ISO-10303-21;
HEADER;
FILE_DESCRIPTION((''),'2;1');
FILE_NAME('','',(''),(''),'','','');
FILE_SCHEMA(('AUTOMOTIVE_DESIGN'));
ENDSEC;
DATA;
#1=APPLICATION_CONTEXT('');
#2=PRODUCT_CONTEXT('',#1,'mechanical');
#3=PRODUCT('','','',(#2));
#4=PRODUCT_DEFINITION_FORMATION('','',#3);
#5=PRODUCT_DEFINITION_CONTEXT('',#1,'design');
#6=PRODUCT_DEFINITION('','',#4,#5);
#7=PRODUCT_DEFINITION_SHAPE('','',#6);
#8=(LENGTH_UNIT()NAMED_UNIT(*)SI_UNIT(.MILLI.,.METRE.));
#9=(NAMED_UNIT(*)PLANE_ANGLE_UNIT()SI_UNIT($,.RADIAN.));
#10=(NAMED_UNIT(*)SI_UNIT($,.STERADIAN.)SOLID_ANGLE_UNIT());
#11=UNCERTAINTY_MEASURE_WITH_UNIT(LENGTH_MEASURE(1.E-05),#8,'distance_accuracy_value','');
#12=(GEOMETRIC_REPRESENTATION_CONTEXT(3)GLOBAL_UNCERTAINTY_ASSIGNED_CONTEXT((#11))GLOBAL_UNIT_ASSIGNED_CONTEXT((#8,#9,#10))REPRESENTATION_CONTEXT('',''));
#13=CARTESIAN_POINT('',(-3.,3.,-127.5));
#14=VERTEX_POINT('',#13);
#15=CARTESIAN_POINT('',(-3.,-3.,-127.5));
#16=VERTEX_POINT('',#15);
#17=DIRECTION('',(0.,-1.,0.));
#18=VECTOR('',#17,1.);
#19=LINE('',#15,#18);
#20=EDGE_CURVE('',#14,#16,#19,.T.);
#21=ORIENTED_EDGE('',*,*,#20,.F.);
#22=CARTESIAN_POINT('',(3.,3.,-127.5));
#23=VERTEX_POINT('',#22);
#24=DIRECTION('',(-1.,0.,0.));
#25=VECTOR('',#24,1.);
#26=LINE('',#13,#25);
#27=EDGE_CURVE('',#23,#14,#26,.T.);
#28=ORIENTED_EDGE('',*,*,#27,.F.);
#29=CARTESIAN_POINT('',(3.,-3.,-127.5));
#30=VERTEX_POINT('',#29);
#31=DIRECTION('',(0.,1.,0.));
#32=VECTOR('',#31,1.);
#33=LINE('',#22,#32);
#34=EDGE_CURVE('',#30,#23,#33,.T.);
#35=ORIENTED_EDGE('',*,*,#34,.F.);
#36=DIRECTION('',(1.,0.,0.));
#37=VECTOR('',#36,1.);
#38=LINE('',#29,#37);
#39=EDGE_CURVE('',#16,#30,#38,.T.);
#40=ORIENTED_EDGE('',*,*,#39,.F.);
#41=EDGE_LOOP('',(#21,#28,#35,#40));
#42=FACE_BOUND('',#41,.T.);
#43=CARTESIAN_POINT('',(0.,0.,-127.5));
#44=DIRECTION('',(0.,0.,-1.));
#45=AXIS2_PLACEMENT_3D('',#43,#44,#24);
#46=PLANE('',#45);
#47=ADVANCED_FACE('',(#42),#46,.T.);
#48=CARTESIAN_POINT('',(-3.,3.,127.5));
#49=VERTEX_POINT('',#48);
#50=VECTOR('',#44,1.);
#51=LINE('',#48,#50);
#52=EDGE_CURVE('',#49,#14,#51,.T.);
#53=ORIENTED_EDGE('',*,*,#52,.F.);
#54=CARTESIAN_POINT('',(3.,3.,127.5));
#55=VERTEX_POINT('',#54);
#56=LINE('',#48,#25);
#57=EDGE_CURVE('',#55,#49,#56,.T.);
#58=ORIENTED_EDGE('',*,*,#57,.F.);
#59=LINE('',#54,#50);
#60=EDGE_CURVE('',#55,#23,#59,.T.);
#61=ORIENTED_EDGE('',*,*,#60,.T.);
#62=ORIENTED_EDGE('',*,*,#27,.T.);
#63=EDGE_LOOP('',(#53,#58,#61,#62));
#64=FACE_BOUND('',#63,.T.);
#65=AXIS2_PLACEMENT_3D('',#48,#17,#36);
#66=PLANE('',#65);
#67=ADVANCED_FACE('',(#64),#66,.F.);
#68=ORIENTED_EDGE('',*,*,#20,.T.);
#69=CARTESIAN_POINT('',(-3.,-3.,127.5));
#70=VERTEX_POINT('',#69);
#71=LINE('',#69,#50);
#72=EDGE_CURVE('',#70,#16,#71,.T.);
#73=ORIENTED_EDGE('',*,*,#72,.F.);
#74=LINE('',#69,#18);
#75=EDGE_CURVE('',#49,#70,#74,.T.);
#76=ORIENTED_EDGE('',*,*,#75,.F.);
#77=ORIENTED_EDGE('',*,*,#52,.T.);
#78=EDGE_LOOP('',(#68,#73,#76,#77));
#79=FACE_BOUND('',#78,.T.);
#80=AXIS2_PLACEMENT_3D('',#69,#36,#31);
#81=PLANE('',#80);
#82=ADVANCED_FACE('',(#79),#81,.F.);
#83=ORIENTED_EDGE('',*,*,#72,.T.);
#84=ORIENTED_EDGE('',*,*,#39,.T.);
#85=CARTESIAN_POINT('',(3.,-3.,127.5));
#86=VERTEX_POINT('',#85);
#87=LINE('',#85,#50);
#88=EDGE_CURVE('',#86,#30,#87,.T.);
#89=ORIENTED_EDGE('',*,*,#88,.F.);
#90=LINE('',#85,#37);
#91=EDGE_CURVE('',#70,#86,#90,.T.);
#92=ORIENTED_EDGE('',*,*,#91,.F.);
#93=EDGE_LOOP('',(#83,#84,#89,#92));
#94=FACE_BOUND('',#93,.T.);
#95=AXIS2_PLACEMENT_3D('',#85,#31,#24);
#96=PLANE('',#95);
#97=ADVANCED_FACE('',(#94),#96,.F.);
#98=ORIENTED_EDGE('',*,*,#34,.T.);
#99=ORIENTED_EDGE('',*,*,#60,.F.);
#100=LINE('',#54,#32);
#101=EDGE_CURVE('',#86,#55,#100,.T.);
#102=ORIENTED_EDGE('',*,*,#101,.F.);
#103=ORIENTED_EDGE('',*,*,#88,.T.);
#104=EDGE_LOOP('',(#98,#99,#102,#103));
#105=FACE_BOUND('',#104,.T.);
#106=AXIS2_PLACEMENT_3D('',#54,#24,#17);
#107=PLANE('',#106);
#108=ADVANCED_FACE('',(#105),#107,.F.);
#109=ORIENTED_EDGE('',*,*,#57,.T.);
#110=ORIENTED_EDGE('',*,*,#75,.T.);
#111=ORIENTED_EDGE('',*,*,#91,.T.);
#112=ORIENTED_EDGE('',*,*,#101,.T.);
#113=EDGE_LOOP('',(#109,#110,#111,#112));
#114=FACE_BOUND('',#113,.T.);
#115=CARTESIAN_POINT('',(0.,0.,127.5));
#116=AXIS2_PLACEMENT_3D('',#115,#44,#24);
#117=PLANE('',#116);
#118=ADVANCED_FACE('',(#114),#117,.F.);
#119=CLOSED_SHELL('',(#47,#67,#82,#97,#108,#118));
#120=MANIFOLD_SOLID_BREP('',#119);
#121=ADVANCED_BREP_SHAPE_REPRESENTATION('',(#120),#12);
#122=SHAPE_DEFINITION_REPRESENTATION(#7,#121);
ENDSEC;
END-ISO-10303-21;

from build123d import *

# Parameters (mm, degrees)
SKETCH3_W           = 6
SKETCH3_H           = 6
BOSS_EXTRUDE1_DEPTH = 127.5


with BuildPart() as part:
    # Sketch3 → Boss-Extrude1 (new, symmetric)
    with BuildSketch(Plane.XY):
        Rectangle(SKETCH3_W, SKETCH3_H)
    extrude(amount=BOSS_EXTRUDE1_DEPTH, both=True)


solid = part.part
